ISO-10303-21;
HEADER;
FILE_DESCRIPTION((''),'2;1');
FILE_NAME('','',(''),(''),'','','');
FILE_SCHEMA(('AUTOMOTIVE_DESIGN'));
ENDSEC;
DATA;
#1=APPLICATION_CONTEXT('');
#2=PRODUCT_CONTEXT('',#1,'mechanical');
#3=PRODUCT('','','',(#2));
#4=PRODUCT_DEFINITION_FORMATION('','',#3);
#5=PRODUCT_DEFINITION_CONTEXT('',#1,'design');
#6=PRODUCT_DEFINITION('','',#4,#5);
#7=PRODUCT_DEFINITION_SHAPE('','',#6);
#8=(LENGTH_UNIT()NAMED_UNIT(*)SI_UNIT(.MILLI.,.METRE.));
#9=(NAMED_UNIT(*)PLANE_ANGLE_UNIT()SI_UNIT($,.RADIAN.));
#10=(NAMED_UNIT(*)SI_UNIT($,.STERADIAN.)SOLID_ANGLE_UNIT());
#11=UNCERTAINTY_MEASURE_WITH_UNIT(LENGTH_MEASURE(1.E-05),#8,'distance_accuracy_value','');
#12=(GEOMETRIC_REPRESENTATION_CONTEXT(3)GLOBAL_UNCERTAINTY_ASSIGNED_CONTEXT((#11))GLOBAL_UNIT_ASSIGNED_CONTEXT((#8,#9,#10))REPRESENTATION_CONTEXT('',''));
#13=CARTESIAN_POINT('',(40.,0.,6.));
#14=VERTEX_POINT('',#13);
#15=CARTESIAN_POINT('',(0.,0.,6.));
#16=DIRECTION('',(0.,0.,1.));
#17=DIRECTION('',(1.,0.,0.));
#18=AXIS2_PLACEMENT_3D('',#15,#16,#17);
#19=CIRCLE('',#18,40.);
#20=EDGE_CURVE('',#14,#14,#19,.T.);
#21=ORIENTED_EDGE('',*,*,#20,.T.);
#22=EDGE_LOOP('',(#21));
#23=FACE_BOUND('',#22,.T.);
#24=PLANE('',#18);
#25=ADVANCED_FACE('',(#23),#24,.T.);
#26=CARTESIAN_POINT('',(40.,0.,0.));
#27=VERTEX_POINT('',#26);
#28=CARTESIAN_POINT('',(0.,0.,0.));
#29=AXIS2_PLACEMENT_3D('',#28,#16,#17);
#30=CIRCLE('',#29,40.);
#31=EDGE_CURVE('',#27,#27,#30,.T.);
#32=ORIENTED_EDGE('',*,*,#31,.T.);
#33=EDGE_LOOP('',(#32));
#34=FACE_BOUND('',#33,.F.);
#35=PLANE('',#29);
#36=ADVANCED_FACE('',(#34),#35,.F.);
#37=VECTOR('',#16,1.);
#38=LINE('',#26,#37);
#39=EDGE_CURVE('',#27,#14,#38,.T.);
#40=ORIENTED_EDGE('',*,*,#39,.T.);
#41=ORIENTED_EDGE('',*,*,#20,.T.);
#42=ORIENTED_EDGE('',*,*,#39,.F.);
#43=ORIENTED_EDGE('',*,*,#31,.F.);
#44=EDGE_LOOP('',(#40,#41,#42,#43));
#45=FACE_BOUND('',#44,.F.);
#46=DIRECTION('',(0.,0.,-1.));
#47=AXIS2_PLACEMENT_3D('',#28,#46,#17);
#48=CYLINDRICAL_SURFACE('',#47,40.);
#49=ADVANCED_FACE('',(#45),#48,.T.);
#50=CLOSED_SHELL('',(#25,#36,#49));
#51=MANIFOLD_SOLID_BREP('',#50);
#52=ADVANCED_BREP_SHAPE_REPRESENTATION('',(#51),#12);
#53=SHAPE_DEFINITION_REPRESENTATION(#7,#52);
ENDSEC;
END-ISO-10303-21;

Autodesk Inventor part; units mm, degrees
ref_plane "YZ Plane" through (0, 0, 0) normal (1, 0, 0) x (0, 1, 0)
ref_plane "XZ Plane" through (0, 0, 0) normal (0, 1, 0) x (-1, 0, 0)
ref_plane "XY Plane" through (0, 0, 0) normal (0, 0, 1) x (1, 0, 0)
sketch "Szkic1" plane through (0, 0, 0) normal (0, 0, 1) x (1, 0, 0)
  circle A0 centre (0, 0) radius 40
  dimension "d0" = 80
extrude "Wyciągnięcie proste1" add sketch "Szkic1" along normal blind 6
properties part number "Uchwyt_80"
